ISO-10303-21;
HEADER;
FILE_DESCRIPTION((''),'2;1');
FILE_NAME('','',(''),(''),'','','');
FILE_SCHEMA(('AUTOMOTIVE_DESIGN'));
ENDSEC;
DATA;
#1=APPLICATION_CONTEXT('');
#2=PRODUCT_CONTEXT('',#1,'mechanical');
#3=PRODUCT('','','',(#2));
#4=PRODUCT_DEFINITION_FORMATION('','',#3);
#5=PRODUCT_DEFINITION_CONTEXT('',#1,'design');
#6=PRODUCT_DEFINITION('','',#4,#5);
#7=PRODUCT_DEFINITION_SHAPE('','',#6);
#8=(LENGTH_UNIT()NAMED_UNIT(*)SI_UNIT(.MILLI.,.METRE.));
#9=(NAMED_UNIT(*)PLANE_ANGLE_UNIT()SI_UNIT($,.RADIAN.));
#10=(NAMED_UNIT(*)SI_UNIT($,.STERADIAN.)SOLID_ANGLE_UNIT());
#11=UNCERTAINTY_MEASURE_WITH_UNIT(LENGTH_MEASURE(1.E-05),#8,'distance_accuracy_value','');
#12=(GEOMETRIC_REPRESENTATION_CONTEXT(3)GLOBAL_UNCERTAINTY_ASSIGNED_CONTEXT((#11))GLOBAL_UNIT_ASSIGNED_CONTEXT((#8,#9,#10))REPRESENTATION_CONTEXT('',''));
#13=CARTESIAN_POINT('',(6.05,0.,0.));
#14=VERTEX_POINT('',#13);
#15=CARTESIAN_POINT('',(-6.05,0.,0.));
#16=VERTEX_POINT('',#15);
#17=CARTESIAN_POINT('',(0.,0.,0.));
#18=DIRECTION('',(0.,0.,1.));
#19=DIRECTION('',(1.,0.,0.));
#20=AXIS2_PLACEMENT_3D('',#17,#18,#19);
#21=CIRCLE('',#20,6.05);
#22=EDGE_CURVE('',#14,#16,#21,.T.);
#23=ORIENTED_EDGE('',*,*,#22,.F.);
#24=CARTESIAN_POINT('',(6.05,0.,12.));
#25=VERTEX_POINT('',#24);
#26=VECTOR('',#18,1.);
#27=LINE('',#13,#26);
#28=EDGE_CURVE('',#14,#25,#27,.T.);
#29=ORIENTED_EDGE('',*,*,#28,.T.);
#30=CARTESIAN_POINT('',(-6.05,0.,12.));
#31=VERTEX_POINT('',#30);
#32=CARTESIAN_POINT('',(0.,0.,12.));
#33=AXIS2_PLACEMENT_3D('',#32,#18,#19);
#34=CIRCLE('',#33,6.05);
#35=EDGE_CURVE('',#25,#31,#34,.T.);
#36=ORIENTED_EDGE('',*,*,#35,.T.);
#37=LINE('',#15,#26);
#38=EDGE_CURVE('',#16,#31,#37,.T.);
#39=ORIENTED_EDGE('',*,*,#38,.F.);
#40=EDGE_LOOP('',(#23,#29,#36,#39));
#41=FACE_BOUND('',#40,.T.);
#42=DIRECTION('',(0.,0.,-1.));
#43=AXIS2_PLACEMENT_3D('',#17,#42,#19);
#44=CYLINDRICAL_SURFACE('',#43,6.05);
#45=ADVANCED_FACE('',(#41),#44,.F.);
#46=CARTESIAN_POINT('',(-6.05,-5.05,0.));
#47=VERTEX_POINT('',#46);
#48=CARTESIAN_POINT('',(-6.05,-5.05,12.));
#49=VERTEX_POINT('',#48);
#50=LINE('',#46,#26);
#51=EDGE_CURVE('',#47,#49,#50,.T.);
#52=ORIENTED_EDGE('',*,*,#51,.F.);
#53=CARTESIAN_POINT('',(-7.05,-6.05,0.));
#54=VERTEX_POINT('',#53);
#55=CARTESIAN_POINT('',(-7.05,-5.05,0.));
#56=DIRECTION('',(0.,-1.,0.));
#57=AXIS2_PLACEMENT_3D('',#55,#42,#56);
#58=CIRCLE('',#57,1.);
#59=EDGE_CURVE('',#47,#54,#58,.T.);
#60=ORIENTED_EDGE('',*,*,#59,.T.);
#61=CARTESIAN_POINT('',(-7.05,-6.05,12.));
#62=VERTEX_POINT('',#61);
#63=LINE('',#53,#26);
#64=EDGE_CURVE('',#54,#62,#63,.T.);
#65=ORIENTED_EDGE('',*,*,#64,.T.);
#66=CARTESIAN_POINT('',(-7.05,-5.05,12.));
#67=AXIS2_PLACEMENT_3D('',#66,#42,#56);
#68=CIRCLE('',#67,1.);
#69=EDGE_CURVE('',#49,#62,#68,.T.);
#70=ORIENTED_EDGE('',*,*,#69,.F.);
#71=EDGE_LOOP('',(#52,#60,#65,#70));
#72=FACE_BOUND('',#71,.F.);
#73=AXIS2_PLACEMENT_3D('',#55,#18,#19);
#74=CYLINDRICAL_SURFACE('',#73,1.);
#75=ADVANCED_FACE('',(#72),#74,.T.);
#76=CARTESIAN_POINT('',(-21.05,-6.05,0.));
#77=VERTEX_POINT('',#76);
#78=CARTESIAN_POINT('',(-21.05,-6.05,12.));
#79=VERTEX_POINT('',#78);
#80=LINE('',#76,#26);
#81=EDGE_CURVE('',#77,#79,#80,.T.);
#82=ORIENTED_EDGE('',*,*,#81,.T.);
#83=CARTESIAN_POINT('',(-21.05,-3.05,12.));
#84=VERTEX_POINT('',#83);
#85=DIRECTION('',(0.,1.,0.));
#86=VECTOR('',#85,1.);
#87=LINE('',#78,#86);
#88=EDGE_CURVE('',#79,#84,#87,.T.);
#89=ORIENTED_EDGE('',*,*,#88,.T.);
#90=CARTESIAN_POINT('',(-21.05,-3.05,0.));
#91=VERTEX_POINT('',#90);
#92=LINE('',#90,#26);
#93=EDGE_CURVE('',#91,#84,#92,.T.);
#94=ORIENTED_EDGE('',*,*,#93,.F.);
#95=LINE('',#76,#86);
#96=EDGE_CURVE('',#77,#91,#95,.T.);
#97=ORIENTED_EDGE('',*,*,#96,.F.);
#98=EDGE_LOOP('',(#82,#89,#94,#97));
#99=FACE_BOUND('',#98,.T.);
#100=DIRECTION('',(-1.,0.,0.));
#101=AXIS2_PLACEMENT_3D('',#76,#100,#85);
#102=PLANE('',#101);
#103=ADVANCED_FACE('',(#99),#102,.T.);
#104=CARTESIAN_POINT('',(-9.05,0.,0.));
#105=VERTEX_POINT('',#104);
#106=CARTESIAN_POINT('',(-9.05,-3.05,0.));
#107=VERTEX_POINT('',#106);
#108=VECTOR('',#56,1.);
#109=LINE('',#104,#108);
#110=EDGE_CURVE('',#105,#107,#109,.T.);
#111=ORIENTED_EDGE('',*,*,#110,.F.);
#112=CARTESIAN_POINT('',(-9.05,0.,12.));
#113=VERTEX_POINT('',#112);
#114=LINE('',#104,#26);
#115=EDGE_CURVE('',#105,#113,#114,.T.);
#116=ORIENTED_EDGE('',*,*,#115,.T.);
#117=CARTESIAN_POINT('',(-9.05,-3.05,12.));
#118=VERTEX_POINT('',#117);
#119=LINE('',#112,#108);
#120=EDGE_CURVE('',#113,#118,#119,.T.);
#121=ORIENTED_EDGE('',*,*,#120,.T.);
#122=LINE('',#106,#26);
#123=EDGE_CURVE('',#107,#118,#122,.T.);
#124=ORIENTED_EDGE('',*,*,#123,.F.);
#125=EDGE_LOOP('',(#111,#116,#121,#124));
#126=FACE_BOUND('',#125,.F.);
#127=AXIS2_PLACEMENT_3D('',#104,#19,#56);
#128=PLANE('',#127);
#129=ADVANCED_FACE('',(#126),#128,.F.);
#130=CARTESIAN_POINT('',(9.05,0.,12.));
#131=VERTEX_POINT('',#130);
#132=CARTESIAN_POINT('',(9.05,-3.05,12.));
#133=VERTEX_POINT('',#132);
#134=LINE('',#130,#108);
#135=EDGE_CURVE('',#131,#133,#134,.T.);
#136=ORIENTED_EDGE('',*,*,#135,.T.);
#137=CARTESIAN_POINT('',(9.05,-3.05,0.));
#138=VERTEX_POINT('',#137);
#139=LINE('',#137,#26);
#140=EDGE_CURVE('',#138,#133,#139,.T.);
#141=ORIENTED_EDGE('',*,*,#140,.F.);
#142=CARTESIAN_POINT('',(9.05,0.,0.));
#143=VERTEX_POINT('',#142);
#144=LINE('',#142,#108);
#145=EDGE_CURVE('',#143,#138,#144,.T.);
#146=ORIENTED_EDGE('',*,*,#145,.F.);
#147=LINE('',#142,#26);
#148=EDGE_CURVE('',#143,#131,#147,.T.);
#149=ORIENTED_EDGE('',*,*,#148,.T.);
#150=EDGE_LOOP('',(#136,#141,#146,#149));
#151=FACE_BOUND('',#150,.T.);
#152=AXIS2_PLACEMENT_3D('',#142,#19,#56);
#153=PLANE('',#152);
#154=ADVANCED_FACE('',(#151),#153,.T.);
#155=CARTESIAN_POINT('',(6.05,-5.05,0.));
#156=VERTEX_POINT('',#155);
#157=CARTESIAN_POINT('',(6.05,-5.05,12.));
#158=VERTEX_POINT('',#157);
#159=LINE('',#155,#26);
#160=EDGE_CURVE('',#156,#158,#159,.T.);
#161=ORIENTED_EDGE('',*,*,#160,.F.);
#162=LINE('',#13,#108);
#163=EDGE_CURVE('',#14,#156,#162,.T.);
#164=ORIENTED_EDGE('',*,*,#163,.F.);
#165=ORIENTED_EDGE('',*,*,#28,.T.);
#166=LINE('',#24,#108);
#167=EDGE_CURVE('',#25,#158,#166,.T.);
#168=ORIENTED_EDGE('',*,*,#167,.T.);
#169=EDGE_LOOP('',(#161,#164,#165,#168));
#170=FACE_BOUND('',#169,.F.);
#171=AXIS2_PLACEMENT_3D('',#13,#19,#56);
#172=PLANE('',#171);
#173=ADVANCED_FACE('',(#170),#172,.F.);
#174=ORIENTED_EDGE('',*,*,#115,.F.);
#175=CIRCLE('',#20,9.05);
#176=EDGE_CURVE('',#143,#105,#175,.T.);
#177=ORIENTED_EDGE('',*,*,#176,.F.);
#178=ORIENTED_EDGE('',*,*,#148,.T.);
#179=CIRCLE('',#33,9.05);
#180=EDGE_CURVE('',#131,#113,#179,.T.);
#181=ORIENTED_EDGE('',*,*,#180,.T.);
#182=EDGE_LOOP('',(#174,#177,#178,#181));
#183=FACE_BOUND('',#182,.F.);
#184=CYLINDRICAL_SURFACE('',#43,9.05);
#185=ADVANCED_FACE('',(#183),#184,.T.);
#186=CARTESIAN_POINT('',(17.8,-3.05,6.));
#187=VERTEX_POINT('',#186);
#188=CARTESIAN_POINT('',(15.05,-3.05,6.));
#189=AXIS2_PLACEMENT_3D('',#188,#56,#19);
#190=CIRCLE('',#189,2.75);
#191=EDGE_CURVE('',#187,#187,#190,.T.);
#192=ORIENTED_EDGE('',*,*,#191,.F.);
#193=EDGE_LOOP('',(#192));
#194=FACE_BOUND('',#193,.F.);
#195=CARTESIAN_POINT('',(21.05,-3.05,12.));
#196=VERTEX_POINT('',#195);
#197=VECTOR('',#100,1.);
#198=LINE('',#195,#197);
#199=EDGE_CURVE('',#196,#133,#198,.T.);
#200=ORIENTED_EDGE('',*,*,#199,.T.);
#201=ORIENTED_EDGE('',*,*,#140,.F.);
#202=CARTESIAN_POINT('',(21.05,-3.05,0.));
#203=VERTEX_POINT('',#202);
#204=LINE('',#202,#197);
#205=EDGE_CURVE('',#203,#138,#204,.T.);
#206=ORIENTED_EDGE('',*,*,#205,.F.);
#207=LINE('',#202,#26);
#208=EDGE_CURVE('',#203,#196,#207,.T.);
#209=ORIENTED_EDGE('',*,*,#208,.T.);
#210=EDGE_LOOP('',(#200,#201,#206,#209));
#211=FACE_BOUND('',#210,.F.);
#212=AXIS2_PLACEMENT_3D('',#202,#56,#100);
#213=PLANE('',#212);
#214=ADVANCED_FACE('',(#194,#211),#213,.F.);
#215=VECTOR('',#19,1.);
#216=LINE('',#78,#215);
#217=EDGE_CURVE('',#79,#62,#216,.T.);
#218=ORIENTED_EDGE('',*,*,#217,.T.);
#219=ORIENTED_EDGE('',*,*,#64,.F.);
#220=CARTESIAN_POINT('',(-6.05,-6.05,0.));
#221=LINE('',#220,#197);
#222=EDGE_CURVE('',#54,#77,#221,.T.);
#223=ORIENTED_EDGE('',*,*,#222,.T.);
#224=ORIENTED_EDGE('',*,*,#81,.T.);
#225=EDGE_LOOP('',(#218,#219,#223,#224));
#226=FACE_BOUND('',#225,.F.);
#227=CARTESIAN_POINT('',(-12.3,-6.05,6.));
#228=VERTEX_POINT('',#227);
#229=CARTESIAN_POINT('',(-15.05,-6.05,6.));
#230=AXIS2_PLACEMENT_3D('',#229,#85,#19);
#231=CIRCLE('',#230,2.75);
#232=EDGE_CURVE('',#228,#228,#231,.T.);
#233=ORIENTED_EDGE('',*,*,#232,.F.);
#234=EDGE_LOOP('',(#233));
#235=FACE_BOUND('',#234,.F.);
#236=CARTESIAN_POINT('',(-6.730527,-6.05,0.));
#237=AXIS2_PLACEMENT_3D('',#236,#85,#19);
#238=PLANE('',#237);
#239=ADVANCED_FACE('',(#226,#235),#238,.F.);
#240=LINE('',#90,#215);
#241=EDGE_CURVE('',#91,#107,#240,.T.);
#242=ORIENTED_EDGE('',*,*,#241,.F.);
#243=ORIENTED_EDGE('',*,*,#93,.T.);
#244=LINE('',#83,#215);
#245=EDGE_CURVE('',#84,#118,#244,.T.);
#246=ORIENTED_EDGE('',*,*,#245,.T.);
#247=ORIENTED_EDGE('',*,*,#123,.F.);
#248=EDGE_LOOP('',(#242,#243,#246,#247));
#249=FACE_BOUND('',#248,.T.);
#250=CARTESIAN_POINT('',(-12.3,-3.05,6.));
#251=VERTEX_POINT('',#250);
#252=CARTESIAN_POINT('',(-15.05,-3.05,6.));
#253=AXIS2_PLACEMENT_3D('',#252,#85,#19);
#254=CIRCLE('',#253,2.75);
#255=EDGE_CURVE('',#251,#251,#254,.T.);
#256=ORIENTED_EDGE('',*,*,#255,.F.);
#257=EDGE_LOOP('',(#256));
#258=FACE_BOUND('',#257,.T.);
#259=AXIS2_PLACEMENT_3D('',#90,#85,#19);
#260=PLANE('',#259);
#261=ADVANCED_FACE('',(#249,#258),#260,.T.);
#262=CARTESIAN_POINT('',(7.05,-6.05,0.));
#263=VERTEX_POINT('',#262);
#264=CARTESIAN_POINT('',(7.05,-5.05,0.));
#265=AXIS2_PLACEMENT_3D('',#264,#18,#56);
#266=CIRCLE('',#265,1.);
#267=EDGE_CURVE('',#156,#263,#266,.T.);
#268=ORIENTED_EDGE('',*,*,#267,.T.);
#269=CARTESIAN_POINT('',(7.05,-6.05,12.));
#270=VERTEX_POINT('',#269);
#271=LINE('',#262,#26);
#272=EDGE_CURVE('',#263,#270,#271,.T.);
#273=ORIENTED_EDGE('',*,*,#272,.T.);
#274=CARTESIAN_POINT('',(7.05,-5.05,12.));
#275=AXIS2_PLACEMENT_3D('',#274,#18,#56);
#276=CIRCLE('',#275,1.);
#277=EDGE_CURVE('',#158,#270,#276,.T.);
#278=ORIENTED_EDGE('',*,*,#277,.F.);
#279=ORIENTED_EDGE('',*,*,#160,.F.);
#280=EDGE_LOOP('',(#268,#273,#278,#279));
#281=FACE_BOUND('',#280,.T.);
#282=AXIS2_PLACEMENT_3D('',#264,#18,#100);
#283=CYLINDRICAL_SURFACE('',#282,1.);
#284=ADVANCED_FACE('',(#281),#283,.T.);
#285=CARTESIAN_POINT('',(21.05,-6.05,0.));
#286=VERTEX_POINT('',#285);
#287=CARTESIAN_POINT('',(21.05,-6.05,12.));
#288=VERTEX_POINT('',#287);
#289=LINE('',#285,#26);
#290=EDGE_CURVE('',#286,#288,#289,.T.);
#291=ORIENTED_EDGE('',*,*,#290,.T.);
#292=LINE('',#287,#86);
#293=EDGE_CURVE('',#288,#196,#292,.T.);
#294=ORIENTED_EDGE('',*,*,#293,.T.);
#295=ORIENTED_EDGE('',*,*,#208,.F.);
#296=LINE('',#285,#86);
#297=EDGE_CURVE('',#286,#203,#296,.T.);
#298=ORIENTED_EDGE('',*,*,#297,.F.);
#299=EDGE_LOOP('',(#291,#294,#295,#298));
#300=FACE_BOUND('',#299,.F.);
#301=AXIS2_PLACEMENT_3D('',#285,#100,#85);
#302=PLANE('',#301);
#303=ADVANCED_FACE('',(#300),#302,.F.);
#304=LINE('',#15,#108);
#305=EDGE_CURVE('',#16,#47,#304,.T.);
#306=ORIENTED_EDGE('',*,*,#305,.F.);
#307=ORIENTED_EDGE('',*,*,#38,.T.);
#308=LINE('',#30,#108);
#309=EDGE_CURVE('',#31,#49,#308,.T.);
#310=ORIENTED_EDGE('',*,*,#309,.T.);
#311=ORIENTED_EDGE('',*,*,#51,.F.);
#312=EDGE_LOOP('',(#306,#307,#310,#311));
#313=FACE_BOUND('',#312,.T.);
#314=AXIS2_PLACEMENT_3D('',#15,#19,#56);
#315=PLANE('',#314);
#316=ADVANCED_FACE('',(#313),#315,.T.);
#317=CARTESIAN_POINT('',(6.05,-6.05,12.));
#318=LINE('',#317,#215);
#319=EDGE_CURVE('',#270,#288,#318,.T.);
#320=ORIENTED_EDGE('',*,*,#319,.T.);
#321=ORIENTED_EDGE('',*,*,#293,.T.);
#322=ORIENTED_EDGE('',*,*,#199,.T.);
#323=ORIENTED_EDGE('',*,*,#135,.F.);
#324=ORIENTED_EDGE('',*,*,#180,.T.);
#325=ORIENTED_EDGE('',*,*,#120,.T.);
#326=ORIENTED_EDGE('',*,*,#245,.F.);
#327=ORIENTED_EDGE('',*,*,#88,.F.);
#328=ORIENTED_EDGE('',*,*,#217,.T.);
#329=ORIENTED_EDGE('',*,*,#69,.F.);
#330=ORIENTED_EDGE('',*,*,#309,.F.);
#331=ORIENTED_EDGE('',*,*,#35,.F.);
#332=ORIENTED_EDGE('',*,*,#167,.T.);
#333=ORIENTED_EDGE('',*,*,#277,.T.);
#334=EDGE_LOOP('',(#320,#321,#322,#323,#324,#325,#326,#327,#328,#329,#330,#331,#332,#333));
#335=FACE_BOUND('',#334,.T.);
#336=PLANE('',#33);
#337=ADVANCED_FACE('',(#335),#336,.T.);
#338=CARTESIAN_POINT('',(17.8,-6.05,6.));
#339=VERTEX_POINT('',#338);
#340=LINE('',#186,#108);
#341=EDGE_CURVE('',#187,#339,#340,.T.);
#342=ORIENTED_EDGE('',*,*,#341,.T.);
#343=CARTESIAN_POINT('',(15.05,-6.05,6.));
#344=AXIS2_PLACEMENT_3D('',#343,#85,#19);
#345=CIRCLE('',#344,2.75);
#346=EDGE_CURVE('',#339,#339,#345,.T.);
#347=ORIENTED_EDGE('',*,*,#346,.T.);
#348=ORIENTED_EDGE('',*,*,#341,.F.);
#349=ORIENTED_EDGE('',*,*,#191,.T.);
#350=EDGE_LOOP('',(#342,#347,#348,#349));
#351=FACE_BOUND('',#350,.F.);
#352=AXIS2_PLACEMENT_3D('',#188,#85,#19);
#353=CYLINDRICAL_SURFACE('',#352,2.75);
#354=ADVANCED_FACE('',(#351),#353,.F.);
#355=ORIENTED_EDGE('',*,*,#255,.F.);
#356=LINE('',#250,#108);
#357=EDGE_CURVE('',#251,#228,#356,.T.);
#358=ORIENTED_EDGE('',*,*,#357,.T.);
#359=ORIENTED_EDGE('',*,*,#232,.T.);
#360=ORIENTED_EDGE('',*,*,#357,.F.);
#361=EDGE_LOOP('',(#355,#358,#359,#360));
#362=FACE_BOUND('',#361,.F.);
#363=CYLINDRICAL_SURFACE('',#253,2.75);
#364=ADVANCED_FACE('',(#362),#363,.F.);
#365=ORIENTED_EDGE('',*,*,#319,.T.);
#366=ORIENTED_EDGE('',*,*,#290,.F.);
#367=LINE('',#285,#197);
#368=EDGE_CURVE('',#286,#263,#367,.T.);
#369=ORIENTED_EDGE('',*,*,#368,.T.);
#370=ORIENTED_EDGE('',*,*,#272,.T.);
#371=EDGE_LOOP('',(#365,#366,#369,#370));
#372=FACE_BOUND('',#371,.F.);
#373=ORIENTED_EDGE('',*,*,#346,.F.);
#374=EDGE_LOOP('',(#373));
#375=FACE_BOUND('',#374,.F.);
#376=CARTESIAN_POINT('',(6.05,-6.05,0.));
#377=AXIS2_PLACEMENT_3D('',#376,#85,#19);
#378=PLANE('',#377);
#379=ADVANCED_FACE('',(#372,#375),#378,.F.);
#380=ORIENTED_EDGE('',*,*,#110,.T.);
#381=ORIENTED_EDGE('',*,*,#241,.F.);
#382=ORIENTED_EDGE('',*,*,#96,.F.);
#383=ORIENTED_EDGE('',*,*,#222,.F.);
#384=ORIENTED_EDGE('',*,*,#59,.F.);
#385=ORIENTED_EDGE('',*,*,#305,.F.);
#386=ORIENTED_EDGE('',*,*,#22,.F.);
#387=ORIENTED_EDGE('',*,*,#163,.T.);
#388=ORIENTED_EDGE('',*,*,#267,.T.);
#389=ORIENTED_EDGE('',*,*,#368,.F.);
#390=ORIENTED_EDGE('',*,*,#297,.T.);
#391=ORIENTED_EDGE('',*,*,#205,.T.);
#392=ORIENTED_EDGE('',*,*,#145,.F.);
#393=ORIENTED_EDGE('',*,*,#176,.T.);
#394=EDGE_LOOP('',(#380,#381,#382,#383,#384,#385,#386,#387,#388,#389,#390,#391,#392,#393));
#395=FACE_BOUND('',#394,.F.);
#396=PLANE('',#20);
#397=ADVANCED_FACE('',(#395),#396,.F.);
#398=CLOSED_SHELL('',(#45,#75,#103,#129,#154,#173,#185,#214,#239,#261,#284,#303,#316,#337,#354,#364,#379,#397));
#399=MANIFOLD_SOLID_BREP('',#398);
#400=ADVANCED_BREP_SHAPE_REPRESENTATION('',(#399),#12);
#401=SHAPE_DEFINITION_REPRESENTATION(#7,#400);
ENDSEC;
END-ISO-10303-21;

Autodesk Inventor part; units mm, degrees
ref_plane "YZ Plane" through (0, 0, 0) normal (1, 0, 0) x (0, 1, 0)
ref_plane "XZ Plane" through (0, 0, 0) normal (0, 1, 0) x (-1, 0, 0)
ref_plane "XY Plane" through (0, 0, 0) normal (0, 0, 1) x (1, 0, 0)
sketch "Sketch1" plane through (0, 0, 0) normal (0, 0, 1) x (1, 0, 0)
  circle A0 centre (0, 0) radius 6.05
  circle A1 centre (0, 0) radius 9.05
  line L0 (-21.05, -6.05) -> (21.05, -6.05)
  line L1 (-9.05, 0) -> (-9.05, -6.05)
  line L2 (-6.05, 0) -> (-6.05, -6.05)
  line L3 (6.05, 0) -> (6.05, -6.05)
  line L4 (9.05, 0) -> (9.05, -6.05)
  line L5 (21.05, -6.05) -> (21.05, -3.05)
  line L6 (21.05, -3.05) -> (9.05, -3.05)
  line L7 (-21.05, -6.05) -> (-21.05, -3.05)
  line L8 (-21.05, -3.05) -> (-9.05, -3.05)
  dimension "d0" = 12.1
  dimension "d1" = 3
  dimension "d2" = 12
  dimension "d3" = 3
  dimension "d4" = 3
  dimension "d5" = 12
extrude "Extrusion1" add sketch "Sketch1" along normal blind 12 contours A0 L2 L0 A1 L3 | A1 L4 L0 | L0 L1 A1 | L4 L6 L5 L0 | L0 L7 L8 L1
fillet "Fillet1" radius 1 2 edges at (6.05, -6.05, 6) (-6.05, -6.05, 6)
sketch "Sketch2" plane through (9.05, -3.05, 0) normal (0, 1, 0) x (1, 0, 0)
  line L0 (12, 0) -> (12, -12) projected
  line L1 (12, -6) -> (0, -6)
  line L2 (0, 0) -> (0, -12) projected
  line L3 (-18.1, -12) -> (0, -12) projected
  line L4 (-9.05, -12) -> (-9.05, -16.2316)
  circle A0 centre (6, -6) radius 2.75
  circle A1 centre (-24.1, -6) radius 2.75
  point P0 (-9.05, 0)
  dimension "d9" = 5.5
extrude "Extrusion2" cut sketch "Sketch2" against normal blind 12
equation "\"d4\" = d3"
equation "\"d5\" = d2"
properties part number "Pipe Clamp_3DPrint"
